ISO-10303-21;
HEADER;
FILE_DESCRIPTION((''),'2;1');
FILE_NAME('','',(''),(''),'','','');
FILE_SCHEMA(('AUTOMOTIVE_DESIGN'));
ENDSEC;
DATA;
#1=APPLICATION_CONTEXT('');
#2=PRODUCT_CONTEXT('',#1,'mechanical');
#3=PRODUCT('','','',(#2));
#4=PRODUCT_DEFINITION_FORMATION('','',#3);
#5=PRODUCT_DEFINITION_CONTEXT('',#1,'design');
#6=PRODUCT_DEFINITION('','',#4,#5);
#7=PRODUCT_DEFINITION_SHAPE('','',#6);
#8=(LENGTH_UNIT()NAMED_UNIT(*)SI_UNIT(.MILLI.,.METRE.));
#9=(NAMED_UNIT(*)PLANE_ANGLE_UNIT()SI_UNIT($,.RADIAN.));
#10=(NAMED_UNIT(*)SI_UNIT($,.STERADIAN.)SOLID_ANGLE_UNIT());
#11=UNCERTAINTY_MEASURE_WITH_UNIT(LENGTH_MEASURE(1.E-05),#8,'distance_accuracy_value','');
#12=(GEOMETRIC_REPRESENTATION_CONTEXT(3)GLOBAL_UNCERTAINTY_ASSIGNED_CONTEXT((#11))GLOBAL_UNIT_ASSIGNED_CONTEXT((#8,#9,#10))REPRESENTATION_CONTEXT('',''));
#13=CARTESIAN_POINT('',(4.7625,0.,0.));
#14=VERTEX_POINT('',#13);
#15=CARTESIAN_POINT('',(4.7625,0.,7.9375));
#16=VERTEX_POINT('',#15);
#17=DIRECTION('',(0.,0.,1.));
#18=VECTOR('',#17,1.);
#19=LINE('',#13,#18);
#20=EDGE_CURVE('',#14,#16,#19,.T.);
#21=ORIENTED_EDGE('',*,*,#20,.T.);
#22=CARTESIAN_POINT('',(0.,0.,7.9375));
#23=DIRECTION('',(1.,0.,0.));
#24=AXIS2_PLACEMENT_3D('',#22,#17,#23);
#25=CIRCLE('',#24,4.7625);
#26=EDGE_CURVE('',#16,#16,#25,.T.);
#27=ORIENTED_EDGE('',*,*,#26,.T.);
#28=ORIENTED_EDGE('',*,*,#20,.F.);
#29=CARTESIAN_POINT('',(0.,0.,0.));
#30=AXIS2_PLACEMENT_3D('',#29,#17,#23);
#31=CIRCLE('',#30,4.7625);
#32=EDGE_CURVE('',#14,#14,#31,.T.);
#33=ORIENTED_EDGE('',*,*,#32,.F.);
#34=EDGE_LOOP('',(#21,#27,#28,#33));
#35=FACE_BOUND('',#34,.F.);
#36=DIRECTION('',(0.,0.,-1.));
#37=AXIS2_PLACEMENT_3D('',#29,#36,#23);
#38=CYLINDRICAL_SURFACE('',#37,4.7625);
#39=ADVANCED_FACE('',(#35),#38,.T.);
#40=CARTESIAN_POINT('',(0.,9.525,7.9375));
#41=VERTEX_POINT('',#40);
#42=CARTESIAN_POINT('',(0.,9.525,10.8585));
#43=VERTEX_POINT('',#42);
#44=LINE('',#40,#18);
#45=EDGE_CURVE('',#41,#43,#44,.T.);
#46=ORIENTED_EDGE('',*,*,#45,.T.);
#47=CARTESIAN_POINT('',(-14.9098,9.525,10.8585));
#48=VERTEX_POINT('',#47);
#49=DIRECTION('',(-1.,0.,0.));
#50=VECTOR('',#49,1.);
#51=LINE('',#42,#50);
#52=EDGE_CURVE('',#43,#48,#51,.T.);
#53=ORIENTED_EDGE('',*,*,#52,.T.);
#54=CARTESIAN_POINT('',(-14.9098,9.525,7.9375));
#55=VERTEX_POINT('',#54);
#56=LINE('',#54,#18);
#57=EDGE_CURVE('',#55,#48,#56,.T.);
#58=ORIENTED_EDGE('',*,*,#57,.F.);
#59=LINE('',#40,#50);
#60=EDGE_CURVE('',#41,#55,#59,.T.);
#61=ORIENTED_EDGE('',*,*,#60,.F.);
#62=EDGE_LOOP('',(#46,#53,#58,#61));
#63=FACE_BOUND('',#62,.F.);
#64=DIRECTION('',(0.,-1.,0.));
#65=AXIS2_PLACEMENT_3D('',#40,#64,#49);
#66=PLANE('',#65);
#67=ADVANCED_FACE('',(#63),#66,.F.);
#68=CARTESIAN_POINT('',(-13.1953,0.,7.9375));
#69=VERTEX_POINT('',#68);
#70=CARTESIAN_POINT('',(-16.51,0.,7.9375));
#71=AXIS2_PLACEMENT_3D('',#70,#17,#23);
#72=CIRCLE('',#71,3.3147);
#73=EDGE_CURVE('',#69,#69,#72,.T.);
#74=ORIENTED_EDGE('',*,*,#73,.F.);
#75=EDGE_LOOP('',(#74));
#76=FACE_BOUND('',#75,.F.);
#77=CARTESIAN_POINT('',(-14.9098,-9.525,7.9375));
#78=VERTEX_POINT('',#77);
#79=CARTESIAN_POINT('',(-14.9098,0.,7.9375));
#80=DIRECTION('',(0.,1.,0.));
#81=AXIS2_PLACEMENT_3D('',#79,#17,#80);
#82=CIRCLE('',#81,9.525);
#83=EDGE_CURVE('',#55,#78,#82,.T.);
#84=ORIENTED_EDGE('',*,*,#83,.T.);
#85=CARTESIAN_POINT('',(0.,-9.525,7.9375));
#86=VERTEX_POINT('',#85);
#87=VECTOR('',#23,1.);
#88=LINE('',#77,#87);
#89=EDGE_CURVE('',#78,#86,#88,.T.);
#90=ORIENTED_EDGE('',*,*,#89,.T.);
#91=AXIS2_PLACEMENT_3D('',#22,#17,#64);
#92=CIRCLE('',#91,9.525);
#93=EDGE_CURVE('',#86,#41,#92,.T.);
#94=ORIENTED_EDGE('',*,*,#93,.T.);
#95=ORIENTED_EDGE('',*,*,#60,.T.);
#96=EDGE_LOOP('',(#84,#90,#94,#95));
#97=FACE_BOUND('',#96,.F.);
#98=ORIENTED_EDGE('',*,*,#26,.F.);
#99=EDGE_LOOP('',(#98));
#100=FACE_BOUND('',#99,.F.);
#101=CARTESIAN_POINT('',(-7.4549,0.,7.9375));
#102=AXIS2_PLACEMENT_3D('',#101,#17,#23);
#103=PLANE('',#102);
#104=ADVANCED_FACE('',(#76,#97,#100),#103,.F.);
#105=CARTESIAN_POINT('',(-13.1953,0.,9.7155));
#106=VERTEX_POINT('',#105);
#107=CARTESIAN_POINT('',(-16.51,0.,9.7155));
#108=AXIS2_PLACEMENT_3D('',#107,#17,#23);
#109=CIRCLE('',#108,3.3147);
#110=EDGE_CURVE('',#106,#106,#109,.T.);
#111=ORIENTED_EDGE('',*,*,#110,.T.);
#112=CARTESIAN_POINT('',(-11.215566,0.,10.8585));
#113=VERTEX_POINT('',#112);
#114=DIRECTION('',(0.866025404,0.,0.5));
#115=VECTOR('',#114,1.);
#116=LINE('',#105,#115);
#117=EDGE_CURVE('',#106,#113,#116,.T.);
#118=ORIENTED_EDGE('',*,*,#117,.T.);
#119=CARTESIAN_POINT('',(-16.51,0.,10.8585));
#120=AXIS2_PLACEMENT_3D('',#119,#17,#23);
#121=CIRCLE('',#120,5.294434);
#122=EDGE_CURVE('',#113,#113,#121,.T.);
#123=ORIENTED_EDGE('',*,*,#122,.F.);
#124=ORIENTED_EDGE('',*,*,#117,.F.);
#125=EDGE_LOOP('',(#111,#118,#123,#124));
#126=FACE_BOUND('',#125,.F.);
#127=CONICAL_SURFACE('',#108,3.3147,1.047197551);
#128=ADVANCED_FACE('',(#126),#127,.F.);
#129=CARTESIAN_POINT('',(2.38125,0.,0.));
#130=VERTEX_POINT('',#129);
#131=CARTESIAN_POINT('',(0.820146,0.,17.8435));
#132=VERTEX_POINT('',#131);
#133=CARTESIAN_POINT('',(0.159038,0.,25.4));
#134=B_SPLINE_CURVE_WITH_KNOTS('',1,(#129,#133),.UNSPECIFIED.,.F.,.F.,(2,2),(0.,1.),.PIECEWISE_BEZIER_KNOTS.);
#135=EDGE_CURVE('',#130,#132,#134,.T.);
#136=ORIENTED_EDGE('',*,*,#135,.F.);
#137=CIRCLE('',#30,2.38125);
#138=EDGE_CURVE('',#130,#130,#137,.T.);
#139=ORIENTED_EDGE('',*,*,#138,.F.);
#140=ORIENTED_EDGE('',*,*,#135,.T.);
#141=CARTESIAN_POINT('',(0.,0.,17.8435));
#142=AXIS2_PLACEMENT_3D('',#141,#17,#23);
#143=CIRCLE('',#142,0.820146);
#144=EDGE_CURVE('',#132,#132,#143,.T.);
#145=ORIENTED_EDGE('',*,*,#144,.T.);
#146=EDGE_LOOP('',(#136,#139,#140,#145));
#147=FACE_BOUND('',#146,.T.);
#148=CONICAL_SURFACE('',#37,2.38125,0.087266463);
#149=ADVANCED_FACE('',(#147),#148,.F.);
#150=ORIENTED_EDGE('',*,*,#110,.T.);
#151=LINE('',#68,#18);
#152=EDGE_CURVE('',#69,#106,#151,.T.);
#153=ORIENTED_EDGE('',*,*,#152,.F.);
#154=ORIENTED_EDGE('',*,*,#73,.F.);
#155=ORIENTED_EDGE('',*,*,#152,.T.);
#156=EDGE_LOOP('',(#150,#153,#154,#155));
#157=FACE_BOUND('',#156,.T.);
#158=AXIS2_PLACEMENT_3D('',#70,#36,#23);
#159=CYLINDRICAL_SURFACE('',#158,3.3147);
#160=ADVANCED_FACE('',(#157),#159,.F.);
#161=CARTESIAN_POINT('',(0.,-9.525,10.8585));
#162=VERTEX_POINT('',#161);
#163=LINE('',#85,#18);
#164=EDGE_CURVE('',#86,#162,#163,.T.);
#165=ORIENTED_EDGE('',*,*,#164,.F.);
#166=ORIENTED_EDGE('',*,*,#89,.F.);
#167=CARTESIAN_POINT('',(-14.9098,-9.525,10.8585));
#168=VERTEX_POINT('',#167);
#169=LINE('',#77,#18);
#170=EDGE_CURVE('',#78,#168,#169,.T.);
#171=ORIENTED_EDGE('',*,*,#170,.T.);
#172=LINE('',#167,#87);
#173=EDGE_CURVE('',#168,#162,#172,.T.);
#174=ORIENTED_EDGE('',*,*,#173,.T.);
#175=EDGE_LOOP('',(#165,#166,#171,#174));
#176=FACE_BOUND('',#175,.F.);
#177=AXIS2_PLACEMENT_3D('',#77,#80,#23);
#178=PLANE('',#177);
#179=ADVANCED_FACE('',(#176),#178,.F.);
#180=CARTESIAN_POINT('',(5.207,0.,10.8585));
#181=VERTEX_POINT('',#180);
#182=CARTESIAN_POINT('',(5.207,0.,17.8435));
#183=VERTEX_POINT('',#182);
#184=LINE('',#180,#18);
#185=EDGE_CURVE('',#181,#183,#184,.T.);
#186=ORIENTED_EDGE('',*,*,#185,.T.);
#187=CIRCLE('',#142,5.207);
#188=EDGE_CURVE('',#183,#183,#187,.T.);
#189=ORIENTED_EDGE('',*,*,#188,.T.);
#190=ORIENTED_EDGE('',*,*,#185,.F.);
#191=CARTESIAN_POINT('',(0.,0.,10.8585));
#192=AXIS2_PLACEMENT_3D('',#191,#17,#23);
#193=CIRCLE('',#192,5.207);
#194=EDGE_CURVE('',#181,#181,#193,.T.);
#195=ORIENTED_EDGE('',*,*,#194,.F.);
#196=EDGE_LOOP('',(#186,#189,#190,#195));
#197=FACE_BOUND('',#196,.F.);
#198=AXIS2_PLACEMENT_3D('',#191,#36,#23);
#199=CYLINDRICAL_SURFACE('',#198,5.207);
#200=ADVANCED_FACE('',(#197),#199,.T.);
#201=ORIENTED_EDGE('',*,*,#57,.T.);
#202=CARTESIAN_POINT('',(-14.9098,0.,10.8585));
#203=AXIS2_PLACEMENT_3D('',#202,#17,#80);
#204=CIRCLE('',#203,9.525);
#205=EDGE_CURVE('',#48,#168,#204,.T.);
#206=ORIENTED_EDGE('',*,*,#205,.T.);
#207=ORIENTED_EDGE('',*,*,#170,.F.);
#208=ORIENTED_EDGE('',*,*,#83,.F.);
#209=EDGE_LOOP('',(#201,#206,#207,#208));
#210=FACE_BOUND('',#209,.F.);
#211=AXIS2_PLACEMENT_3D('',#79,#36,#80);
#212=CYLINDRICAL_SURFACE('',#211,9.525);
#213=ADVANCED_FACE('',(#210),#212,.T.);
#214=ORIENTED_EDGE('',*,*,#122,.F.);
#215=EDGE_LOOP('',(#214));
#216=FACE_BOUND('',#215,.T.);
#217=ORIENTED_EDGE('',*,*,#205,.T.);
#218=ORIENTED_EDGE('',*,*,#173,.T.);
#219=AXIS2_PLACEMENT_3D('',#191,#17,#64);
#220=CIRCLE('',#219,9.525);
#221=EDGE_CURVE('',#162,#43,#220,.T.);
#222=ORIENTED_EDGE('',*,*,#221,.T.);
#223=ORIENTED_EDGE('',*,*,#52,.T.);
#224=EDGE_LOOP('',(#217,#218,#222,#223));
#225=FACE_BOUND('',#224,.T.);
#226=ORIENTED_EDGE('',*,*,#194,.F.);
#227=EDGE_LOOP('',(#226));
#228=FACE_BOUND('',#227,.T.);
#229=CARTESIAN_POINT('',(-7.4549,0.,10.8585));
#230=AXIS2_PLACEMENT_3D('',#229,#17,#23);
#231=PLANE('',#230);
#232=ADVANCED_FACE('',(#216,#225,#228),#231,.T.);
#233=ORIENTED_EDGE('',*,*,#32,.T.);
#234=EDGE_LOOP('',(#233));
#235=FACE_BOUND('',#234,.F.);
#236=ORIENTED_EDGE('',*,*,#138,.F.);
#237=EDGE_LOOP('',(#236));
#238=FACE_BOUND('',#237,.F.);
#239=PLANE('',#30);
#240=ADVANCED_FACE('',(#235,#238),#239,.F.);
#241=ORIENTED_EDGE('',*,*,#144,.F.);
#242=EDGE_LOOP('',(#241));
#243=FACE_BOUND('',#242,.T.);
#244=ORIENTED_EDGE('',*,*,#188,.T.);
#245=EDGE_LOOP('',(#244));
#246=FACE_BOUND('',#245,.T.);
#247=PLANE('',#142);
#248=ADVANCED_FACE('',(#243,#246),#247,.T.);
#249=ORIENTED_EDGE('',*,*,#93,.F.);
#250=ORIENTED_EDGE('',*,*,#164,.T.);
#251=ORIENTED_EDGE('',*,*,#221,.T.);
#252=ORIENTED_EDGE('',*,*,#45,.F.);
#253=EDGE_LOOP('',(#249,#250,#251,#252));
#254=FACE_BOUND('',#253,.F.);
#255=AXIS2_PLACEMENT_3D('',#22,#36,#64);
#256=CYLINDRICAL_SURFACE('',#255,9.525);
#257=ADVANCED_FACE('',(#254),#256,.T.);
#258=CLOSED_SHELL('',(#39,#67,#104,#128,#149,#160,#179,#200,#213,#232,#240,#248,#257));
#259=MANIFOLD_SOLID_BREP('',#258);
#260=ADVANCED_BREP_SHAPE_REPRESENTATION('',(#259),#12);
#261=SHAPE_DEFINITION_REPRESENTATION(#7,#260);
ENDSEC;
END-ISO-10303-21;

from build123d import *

# Parameters (mm, degrees)
F0_R     = 4.7625
F1_DEPTH = 7.9375
F2_R     = 3.3147
F3_DEPTH = 2.921
F4_R     = 5.207
F5_DEPTH = 6.985
F6_SIZE2 = 1.9797340731
F6_SIZE  = 1.143
F7_R     = 2.38125
F8_DEPTH = 25.4
F8_TAPER = 5


with BuildPart() as f1:
    # F0 (on Top) → F1 (new body)
    with BuildSketch(Plane.XY):
        Circle(F0_R)
    extrude(amount=F1_DEPTH)

    # F2 (on face) → F3 (join)
    with BuildSketch(Plane.XY.offset(7.9375)):
        with BuildLine():
            Line((-14.9098, -9.525), (0, -9.525))
            ThreePointArc((0, -9.525), (9.525, 0), (0, 9.525))
            Line((0, 9.525), (-14.9098, 9.525))
            ThreePointArc((-14.9098, 9.525), (-24.4348, 0), (-14.9098, -9.525))
        make_face()
        with Locations((-16.51, 0)):
            Circle(F2_R, mode=Mode.SUBTRACT)
    extrude(amount=F3_DEPTH)

    # F4 (on face) → F5 (join)
    with BuildSketch(Plane.XY.offset(10.8585)):
        Circle(F4_R)
    extrude(amount=F5_DEPTH)

    # F6
    f6_edges = [f1.edges().sort_by_distance(p)[0] for p in [
        (-19.8247, 0, 10.8585),
    ]]
    f6_side = f1.faces().sort_by_distance((-19.8247, 0, 9.398))[0]
    chamfer(f6_edges, length=F6_SIZE, length2=F6_SIZE2, reference=f6_side)

    # F7 (on face) → F8 (cut)
    with BuildSketch(Plane(origin=(0, 0, 0), x_dir=(1, 0, 0), z_dir=(0, 0, -1))):
        Circle(F7_R)
    extrude(amount=-F8_DEPTH, taper=F8_TAPER, mode=Mode.SUBTRACT)


solid = f1.part
